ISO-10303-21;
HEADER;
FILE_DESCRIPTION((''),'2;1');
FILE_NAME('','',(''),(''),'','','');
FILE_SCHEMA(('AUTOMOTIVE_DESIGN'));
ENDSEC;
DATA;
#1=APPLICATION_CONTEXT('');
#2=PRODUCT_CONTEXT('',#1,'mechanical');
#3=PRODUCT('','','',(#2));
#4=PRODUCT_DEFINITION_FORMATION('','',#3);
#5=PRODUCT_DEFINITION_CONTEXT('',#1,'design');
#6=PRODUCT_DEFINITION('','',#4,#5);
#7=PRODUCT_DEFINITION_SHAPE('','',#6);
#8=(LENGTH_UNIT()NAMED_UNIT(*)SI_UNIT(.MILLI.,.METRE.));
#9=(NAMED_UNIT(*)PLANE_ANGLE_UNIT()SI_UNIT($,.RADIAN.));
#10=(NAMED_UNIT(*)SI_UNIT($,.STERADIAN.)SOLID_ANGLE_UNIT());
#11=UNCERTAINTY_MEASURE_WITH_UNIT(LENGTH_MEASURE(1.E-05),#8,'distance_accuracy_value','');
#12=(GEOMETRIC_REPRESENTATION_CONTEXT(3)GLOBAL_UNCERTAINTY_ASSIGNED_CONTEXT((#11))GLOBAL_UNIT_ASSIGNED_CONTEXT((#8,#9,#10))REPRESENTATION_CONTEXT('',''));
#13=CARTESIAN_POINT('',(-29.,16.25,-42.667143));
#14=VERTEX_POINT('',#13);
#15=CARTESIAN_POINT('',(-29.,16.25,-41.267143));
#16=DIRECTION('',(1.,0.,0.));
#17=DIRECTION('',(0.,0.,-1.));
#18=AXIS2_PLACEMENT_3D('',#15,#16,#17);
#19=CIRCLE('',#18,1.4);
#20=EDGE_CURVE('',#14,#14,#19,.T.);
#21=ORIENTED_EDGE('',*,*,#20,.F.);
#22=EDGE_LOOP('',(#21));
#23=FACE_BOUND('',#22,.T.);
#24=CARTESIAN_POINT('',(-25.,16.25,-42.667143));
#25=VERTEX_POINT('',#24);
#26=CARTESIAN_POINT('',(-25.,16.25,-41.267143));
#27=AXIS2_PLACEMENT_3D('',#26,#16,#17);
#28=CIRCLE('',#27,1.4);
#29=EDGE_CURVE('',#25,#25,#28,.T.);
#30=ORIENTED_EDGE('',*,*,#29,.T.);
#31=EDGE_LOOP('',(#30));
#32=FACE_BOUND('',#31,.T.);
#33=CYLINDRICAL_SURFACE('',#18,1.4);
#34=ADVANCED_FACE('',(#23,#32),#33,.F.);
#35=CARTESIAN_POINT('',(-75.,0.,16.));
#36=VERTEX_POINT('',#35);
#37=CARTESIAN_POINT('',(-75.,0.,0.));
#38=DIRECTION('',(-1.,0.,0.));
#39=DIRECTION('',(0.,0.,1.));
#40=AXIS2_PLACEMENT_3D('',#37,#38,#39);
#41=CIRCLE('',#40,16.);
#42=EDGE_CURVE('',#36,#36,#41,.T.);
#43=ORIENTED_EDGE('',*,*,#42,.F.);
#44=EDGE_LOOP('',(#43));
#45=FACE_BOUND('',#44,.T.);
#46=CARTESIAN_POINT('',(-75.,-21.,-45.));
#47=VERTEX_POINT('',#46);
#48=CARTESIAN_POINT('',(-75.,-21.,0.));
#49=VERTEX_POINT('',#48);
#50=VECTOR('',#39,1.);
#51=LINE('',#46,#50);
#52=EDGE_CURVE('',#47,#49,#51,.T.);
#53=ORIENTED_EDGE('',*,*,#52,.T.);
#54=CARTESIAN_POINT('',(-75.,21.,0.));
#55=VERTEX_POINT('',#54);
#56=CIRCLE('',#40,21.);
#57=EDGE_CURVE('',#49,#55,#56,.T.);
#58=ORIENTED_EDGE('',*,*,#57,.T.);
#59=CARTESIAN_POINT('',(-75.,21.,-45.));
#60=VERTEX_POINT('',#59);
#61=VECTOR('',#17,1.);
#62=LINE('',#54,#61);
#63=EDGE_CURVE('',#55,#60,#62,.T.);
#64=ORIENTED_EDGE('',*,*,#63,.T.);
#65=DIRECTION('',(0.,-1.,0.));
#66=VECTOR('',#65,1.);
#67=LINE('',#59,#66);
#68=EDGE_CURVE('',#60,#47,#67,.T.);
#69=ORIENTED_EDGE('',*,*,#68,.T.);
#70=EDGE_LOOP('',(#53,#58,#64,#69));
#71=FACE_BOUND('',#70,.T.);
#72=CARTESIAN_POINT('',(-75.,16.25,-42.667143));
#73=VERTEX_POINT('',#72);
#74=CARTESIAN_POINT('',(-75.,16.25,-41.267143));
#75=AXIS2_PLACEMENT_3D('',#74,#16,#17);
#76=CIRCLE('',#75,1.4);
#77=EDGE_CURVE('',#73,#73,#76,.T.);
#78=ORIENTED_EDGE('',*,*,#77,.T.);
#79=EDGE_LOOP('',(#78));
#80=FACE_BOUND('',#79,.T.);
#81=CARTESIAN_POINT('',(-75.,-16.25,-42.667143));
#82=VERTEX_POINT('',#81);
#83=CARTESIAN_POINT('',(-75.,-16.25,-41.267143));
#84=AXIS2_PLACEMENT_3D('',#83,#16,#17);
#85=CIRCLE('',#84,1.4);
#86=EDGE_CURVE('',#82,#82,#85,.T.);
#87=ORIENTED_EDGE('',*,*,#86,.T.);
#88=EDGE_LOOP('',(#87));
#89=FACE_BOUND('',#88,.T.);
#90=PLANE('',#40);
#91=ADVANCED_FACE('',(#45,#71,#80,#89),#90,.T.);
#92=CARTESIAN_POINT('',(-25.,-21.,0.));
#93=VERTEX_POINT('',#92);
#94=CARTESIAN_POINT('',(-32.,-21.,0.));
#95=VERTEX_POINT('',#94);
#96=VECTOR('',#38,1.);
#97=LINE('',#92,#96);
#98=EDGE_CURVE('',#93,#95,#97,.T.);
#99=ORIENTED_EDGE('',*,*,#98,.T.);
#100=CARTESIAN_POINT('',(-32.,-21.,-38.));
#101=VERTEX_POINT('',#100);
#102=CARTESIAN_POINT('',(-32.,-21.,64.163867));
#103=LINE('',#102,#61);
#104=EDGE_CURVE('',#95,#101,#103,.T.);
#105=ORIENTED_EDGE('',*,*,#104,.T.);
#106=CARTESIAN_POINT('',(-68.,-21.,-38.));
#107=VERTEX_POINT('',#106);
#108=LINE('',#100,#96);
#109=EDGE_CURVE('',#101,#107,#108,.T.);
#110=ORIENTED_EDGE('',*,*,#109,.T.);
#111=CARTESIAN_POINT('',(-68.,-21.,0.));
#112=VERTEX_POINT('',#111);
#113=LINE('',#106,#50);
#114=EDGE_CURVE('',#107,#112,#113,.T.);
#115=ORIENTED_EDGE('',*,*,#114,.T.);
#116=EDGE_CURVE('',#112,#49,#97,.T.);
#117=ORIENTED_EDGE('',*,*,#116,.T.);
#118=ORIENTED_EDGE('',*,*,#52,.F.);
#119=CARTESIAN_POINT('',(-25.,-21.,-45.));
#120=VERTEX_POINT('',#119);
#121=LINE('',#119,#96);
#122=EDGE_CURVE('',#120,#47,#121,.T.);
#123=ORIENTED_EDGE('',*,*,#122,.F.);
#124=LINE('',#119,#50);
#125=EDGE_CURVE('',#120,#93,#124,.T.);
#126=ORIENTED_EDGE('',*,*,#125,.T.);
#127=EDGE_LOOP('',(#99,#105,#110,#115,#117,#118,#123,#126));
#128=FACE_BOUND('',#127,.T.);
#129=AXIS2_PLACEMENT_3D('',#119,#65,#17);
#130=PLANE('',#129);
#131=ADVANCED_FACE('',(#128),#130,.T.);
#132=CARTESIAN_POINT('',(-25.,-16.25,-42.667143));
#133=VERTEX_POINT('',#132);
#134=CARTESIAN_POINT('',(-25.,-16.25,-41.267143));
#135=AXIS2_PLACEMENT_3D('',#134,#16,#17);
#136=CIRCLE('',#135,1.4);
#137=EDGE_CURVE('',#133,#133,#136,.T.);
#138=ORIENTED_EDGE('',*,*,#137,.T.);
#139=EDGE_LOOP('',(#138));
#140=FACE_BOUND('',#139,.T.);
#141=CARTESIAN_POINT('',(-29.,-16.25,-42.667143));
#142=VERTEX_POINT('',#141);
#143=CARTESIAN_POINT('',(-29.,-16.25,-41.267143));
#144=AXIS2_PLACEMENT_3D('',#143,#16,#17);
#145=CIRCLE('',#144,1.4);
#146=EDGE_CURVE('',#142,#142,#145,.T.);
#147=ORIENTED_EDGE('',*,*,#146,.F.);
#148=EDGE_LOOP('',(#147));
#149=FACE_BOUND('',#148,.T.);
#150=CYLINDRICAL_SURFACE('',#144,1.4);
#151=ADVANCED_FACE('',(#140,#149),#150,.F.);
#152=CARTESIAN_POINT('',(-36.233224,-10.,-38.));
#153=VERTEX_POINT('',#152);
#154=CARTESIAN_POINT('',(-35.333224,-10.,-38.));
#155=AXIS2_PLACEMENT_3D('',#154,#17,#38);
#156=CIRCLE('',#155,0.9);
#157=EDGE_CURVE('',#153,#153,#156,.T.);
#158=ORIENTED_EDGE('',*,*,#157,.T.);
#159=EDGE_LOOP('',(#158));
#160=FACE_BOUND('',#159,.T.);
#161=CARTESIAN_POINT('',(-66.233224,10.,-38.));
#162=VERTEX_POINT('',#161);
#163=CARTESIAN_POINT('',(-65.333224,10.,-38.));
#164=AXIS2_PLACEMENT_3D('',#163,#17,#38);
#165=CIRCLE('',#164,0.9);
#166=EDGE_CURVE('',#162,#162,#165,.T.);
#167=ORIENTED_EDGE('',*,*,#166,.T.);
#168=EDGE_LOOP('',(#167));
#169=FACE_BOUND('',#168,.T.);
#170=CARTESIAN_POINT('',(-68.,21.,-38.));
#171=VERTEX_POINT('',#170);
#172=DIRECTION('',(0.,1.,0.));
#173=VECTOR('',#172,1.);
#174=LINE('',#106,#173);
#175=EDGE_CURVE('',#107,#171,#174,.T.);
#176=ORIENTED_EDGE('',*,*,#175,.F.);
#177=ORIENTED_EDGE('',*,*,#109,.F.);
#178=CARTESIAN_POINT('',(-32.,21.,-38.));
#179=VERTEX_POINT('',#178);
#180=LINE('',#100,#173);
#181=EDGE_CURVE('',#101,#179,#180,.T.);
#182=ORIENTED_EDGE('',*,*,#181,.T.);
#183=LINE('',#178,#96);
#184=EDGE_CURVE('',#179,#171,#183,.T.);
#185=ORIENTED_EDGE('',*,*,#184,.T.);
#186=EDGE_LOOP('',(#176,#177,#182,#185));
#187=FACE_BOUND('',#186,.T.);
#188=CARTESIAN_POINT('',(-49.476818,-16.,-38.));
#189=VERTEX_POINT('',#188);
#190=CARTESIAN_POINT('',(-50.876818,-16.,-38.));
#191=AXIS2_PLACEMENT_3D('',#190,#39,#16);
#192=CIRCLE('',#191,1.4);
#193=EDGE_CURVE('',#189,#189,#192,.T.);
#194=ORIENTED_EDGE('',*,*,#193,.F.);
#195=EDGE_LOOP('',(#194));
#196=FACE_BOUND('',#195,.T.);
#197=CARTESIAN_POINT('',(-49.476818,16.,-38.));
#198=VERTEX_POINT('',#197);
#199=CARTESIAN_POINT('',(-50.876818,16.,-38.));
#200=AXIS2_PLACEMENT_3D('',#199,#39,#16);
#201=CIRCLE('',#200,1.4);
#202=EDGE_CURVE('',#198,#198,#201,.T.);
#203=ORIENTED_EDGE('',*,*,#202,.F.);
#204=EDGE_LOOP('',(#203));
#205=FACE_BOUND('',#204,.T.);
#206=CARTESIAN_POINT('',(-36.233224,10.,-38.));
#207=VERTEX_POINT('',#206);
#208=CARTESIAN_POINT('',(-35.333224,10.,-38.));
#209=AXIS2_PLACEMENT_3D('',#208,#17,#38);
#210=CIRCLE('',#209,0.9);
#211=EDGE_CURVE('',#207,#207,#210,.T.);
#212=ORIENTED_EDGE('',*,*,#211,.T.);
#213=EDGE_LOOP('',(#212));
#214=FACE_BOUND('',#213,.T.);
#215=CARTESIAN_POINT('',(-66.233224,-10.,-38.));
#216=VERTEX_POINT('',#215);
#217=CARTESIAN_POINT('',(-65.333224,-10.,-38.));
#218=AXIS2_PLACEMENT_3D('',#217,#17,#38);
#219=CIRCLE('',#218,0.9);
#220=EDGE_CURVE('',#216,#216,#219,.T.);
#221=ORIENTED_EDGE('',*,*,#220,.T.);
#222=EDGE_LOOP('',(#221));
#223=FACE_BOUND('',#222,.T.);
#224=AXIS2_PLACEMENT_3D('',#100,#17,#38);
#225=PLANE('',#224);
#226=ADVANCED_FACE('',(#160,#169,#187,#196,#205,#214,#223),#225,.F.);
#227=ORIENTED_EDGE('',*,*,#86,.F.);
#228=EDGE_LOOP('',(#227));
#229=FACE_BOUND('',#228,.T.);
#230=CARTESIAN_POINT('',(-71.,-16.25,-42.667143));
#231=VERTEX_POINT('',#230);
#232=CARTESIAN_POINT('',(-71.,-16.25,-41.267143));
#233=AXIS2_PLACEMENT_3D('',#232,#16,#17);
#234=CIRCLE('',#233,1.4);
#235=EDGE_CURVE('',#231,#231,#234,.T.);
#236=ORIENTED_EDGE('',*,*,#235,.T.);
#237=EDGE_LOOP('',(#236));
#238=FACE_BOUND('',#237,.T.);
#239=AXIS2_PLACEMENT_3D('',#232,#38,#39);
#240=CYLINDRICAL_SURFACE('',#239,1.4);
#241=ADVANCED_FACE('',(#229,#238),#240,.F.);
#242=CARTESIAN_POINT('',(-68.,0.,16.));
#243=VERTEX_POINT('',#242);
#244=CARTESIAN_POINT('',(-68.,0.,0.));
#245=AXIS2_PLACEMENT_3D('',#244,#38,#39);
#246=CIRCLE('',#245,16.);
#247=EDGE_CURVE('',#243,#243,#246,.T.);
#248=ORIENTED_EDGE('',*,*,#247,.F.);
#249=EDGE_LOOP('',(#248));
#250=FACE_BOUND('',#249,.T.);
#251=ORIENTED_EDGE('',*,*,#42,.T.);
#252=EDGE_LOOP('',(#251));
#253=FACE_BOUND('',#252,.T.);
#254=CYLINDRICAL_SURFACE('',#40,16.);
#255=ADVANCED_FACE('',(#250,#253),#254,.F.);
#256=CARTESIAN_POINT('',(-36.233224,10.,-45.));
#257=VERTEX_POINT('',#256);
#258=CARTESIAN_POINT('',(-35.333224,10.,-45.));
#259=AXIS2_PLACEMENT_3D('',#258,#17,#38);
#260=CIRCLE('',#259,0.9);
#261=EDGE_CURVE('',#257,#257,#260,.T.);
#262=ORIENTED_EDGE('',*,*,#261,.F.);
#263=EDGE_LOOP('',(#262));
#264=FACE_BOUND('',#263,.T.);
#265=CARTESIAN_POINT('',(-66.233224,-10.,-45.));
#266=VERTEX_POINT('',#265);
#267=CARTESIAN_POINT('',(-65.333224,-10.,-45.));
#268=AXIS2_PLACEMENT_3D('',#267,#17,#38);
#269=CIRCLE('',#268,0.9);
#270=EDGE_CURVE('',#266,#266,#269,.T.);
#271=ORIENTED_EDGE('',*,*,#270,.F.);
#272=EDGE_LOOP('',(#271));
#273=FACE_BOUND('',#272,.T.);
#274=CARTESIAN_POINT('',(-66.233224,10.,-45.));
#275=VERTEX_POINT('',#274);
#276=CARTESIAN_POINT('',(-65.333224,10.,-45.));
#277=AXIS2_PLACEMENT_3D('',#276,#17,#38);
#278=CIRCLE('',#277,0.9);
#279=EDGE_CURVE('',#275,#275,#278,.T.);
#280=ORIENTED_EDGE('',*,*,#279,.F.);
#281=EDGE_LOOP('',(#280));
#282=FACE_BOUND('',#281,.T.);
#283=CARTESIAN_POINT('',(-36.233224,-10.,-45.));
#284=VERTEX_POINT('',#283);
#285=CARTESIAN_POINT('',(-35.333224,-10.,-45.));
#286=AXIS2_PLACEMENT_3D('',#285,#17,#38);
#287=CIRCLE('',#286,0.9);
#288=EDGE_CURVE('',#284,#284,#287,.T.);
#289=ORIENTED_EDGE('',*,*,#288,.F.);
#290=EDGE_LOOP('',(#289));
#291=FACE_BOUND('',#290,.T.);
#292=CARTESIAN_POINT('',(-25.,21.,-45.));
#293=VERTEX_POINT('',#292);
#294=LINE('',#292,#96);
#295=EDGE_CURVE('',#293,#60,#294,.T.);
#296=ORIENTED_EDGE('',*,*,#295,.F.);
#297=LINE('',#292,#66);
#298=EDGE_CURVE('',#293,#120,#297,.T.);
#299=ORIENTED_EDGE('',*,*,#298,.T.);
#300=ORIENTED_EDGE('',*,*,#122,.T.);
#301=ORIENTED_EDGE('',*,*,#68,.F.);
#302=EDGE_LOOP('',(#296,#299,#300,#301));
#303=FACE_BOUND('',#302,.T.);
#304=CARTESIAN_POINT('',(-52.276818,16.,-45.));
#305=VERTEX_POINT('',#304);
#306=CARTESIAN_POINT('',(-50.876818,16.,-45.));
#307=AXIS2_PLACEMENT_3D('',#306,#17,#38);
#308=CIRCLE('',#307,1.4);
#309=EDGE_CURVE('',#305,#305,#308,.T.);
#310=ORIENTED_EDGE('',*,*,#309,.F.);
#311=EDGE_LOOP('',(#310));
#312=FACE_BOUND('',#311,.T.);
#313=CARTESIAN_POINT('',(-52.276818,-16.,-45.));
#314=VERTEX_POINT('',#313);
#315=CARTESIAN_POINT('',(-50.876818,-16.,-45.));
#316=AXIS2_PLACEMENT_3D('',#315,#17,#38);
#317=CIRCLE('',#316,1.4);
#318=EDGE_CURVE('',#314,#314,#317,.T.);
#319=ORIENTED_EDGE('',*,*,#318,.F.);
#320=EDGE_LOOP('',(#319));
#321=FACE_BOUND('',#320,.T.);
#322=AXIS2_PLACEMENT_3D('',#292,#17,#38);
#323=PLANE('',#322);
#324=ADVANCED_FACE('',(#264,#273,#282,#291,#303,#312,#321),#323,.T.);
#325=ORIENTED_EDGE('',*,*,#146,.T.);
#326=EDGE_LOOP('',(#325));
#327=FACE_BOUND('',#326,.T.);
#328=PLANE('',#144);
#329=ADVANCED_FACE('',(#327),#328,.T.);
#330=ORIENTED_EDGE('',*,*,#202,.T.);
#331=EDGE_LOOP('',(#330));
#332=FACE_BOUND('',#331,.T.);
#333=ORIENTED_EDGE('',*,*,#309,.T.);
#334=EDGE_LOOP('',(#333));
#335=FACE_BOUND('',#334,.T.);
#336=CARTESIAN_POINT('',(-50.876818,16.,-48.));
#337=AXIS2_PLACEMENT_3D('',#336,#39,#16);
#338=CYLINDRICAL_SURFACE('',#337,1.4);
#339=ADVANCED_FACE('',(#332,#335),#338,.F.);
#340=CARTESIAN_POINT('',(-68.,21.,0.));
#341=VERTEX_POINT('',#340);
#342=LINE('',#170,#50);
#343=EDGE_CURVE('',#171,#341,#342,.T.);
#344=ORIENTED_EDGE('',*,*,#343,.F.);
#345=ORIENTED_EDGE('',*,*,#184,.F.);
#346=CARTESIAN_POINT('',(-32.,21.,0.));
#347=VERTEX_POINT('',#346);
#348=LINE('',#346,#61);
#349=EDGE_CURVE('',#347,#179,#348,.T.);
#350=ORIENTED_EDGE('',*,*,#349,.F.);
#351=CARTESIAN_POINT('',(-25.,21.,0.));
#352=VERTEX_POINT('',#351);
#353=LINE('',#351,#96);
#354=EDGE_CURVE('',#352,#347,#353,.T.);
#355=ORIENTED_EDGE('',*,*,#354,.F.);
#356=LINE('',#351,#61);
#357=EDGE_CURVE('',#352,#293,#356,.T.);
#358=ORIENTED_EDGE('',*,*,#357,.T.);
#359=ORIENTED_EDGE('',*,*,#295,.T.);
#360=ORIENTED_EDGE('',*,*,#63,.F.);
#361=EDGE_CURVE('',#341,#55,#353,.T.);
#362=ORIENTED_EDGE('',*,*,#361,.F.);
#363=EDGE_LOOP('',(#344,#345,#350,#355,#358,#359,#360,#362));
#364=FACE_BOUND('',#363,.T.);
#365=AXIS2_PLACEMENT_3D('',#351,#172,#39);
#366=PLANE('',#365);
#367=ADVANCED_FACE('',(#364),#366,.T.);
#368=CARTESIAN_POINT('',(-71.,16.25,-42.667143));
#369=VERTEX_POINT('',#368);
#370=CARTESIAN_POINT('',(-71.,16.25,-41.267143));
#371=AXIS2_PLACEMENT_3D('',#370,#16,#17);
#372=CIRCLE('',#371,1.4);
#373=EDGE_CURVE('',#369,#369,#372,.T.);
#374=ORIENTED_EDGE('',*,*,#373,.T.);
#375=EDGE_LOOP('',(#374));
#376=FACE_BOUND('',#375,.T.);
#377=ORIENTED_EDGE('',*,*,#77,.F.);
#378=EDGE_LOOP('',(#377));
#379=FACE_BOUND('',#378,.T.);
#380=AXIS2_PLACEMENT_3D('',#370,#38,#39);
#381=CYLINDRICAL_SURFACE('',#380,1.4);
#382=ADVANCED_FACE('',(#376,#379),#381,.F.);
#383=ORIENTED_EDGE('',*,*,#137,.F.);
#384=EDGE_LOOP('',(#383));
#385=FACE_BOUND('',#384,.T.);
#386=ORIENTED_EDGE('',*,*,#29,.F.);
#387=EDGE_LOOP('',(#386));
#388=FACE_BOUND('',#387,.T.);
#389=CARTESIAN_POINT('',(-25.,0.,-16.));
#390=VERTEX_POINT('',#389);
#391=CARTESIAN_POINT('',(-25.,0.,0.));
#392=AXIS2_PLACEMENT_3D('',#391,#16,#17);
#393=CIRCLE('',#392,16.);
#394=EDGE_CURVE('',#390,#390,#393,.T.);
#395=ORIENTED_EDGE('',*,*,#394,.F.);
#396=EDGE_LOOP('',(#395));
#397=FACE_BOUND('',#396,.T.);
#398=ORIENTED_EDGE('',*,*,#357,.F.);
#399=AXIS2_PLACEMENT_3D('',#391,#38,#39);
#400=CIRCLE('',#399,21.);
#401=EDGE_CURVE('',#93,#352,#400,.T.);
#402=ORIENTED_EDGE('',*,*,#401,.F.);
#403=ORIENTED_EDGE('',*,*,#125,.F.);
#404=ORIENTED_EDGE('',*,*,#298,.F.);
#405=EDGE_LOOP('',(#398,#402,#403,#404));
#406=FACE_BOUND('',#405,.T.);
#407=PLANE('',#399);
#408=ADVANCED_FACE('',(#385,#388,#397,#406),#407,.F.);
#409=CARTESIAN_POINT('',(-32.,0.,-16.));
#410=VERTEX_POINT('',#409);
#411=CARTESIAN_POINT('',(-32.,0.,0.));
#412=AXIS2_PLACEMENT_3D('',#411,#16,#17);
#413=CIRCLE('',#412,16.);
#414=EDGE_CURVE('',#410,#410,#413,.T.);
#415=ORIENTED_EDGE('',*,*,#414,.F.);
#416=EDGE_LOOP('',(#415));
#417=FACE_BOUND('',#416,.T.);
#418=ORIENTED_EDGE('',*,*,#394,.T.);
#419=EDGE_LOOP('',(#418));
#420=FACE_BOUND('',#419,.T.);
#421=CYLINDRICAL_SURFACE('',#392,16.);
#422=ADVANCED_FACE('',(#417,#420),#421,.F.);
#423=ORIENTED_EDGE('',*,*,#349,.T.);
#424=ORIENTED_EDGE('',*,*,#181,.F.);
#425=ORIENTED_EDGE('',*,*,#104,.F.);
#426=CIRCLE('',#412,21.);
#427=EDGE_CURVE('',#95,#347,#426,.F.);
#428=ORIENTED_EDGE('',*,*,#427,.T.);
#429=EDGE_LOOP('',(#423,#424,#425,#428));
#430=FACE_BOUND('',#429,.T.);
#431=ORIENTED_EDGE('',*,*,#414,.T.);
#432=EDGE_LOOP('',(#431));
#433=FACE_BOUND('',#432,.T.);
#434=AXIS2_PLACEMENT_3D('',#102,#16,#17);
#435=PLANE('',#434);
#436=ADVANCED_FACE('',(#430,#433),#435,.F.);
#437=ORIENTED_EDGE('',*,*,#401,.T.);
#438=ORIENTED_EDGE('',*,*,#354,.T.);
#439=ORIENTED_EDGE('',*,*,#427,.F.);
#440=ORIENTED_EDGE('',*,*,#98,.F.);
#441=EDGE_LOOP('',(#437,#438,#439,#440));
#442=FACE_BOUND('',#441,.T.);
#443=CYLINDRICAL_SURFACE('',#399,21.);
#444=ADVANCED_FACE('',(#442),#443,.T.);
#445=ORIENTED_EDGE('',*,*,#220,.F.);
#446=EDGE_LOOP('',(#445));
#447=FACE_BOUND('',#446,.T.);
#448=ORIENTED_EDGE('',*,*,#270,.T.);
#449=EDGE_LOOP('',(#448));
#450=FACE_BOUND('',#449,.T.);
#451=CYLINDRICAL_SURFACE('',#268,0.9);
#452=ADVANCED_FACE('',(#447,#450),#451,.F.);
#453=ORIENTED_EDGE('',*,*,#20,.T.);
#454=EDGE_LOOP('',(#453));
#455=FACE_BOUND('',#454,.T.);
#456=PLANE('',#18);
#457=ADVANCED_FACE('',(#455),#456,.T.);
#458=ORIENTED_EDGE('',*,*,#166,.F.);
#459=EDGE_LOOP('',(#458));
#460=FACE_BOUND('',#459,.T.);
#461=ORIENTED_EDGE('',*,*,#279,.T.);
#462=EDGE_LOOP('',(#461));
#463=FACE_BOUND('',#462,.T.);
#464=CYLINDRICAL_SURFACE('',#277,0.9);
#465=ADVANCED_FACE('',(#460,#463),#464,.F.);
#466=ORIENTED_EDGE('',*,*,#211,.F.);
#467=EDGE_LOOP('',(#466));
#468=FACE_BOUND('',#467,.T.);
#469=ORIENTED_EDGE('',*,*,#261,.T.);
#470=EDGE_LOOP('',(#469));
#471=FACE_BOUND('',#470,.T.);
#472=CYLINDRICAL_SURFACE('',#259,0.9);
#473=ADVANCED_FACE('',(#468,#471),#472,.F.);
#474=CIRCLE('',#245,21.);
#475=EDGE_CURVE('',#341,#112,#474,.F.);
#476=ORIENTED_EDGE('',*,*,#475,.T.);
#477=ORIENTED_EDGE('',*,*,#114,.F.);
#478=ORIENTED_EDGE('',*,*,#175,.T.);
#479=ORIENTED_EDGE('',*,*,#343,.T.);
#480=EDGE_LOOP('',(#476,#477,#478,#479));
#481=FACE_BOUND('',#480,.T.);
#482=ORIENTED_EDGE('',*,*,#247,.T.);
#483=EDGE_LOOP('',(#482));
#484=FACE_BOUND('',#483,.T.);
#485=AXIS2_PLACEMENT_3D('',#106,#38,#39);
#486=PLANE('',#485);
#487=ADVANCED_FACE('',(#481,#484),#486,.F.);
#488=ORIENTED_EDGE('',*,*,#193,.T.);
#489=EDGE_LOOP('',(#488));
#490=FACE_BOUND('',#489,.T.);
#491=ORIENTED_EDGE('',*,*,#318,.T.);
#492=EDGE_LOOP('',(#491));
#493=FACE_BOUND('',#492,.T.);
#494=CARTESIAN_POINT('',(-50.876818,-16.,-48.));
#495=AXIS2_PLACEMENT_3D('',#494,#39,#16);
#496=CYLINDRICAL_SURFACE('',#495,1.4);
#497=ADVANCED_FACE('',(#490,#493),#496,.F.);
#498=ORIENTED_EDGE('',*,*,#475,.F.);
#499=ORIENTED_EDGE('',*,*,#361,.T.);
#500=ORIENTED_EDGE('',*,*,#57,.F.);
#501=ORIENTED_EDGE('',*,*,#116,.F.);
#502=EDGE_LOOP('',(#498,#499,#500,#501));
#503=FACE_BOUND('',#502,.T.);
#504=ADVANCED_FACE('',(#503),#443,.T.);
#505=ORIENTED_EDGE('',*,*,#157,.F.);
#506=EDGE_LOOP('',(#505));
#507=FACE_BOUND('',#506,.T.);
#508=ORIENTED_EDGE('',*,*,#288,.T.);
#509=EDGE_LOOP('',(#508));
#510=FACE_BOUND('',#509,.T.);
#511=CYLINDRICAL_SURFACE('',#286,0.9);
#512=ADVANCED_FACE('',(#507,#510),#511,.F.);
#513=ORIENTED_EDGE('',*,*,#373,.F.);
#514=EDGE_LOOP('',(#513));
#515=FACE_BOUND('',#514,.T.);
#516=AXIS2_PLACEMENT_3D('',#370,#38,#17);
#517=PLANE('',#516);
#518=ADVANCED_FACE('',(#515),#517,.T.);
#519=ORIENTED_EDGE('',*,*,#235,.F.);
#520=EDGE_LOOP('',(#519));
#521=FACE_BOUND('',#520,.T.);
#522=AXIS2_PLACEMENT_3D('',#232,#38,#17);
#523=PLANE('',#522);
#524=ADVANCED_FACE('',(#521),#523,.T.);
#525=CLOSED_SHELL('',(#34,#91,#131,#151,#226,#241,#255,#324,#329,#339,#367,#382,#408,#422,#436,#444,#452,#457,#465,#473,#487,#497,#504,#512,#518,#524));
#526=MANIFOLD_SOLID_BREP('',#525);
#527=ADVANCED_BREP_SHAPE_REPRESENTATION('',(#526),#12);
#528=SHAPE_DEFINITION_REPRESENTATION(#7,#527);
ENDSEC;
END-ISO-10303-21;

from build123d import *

# Parameters (mm, degrees)
EXTRUDE_1_DEPTH             = 50
SKETCH_2_W                  = 36
SKETCH_2_H                  = 102.163867091
CUT_EXTRUDE_1_DEPTH         = 43
HOLE_WIZARD_1_8_1_8_1_D     = 1.8
HOLE_WIZARD_1_8_1_8_1_DEPTH = 7
HOLE_WIZARD_M30_1_D         = 32
HOLE_WIZARD_M30_1_DEPTH     = 7
HOLE_WIZARD_M30_2_D         = 32
HOLE_WIZARD_M30_2_DEPTH     = 7
SKETCH_13_R                 = 1.4
CUT_EXTRUDE_2_DEPTH         = 10
SKETCH_14_R                 = 1.4
CUT_EXTRUDE_3_DEPTH         = 4


with BuildPart() as part:
    # 스케치1 → 보스-돌출1 (new body)
    with BuildSketch(Plane(origin=(-75, 0, 0), x_dir=(0, -1, 0), z_dir=(-1, 0, 0))):
        with BuildLine():
            Line((-21, 0), (-21, -45))
            Line((-21, -45), (21, -45))
            Line((21, -45), (21, 0))
            ThreePointArc((21, 0), (0, 21), (-21, 0))
        make_face()
    extrude(amount=-EXTRUDE_1_DEPTH)

    # 스케치2 → 컷-돌출1 (cut, through all)
    with BuildSketch(Plane(origin=(0, 21, 0), x_dir=(-1, 0, 0), z_dir=(0, 1, 0))):
        with Locations((50, 13.081933546)):
            Rectangle(SKETCH_2_W, SKETCH_2_H)
    extrude(amount=-CUT_EXTRUDE_1_DEPTH, mode=Mode.SUBTRACT)

    # Ø1.8 (1.8) 지름 구멍1
    with Locations(Plane(origin=(0, 0, -45), x_dir=(-1, 0, 0), z_dir=(0, 0, -1))):
        with Locations((35.3332236, 10), (65.3332236, 10), (35.3332236, -10), (65.3332236, -10)):
            Hole(HOLE_WIZARD_1_8_1_8_1_D / 2, depth=HOLE_WIZARD_1_8_1_8_1_DEPTH)

    # M30 여유 구멍1
    with Locations(Plane(origin=(-25, 0, 0), x_dir=(0, 0, -1), z_dir=(1, 0, 0))):
        with Locations((0, 0)):
            Hole(HOLE_WIZARD_M30_1_D / 2, depth=HOLE_WIZARD_M30_1_DEPTH)

    # M30 여유 구멍2
    with Locations(Plane.ZY.offset(75)):
        with Locations((0, 0)):
            Hole(HOLE_WIZARD_M30_2_D / 2, depth=HOLE_WIZARD_M30_2_DEPTH)

    # 스케치13 → 컷-돌출2 (cut)
    with BuildSketch(Plane.XY.offset(-38)):
        with Locations((-50.876817985, -16)):
            Circle(SKETCH_13_R)
        with Locations((-50.876817985, 16)):
            Circle(SKETCH_13_R)
    extrude(amount=-CUT_EXTRUDE_2_DEPTH, mode=Mode.SUBTRACT)

    # 스케치14 → 컷-돌출3 (cut)
    with BuildSketch(Plane(origin=(-25, 0, 0), x_dir=(0, 0, -1), z_dir=(1, 0, 0))):
        with Locations((41.267143481, 16.25)):
            Circle(SKETCH_14_R)
        with Locations((41.267143481, -16.25)):
            Circle(SKETCH_14_R)
    cut_extrude_3 = extrude(amount=-CUT_EXTRUDE_3_DEPTH, mode=Mode.SUBTRACT)

    # 대칭 복사1: 컷-돌출3 across plane
    add(cut_extrude_3.mirror(Plane.ZY.offset(50)), mode=Mode.SUBTRACT)


solid = part.part
